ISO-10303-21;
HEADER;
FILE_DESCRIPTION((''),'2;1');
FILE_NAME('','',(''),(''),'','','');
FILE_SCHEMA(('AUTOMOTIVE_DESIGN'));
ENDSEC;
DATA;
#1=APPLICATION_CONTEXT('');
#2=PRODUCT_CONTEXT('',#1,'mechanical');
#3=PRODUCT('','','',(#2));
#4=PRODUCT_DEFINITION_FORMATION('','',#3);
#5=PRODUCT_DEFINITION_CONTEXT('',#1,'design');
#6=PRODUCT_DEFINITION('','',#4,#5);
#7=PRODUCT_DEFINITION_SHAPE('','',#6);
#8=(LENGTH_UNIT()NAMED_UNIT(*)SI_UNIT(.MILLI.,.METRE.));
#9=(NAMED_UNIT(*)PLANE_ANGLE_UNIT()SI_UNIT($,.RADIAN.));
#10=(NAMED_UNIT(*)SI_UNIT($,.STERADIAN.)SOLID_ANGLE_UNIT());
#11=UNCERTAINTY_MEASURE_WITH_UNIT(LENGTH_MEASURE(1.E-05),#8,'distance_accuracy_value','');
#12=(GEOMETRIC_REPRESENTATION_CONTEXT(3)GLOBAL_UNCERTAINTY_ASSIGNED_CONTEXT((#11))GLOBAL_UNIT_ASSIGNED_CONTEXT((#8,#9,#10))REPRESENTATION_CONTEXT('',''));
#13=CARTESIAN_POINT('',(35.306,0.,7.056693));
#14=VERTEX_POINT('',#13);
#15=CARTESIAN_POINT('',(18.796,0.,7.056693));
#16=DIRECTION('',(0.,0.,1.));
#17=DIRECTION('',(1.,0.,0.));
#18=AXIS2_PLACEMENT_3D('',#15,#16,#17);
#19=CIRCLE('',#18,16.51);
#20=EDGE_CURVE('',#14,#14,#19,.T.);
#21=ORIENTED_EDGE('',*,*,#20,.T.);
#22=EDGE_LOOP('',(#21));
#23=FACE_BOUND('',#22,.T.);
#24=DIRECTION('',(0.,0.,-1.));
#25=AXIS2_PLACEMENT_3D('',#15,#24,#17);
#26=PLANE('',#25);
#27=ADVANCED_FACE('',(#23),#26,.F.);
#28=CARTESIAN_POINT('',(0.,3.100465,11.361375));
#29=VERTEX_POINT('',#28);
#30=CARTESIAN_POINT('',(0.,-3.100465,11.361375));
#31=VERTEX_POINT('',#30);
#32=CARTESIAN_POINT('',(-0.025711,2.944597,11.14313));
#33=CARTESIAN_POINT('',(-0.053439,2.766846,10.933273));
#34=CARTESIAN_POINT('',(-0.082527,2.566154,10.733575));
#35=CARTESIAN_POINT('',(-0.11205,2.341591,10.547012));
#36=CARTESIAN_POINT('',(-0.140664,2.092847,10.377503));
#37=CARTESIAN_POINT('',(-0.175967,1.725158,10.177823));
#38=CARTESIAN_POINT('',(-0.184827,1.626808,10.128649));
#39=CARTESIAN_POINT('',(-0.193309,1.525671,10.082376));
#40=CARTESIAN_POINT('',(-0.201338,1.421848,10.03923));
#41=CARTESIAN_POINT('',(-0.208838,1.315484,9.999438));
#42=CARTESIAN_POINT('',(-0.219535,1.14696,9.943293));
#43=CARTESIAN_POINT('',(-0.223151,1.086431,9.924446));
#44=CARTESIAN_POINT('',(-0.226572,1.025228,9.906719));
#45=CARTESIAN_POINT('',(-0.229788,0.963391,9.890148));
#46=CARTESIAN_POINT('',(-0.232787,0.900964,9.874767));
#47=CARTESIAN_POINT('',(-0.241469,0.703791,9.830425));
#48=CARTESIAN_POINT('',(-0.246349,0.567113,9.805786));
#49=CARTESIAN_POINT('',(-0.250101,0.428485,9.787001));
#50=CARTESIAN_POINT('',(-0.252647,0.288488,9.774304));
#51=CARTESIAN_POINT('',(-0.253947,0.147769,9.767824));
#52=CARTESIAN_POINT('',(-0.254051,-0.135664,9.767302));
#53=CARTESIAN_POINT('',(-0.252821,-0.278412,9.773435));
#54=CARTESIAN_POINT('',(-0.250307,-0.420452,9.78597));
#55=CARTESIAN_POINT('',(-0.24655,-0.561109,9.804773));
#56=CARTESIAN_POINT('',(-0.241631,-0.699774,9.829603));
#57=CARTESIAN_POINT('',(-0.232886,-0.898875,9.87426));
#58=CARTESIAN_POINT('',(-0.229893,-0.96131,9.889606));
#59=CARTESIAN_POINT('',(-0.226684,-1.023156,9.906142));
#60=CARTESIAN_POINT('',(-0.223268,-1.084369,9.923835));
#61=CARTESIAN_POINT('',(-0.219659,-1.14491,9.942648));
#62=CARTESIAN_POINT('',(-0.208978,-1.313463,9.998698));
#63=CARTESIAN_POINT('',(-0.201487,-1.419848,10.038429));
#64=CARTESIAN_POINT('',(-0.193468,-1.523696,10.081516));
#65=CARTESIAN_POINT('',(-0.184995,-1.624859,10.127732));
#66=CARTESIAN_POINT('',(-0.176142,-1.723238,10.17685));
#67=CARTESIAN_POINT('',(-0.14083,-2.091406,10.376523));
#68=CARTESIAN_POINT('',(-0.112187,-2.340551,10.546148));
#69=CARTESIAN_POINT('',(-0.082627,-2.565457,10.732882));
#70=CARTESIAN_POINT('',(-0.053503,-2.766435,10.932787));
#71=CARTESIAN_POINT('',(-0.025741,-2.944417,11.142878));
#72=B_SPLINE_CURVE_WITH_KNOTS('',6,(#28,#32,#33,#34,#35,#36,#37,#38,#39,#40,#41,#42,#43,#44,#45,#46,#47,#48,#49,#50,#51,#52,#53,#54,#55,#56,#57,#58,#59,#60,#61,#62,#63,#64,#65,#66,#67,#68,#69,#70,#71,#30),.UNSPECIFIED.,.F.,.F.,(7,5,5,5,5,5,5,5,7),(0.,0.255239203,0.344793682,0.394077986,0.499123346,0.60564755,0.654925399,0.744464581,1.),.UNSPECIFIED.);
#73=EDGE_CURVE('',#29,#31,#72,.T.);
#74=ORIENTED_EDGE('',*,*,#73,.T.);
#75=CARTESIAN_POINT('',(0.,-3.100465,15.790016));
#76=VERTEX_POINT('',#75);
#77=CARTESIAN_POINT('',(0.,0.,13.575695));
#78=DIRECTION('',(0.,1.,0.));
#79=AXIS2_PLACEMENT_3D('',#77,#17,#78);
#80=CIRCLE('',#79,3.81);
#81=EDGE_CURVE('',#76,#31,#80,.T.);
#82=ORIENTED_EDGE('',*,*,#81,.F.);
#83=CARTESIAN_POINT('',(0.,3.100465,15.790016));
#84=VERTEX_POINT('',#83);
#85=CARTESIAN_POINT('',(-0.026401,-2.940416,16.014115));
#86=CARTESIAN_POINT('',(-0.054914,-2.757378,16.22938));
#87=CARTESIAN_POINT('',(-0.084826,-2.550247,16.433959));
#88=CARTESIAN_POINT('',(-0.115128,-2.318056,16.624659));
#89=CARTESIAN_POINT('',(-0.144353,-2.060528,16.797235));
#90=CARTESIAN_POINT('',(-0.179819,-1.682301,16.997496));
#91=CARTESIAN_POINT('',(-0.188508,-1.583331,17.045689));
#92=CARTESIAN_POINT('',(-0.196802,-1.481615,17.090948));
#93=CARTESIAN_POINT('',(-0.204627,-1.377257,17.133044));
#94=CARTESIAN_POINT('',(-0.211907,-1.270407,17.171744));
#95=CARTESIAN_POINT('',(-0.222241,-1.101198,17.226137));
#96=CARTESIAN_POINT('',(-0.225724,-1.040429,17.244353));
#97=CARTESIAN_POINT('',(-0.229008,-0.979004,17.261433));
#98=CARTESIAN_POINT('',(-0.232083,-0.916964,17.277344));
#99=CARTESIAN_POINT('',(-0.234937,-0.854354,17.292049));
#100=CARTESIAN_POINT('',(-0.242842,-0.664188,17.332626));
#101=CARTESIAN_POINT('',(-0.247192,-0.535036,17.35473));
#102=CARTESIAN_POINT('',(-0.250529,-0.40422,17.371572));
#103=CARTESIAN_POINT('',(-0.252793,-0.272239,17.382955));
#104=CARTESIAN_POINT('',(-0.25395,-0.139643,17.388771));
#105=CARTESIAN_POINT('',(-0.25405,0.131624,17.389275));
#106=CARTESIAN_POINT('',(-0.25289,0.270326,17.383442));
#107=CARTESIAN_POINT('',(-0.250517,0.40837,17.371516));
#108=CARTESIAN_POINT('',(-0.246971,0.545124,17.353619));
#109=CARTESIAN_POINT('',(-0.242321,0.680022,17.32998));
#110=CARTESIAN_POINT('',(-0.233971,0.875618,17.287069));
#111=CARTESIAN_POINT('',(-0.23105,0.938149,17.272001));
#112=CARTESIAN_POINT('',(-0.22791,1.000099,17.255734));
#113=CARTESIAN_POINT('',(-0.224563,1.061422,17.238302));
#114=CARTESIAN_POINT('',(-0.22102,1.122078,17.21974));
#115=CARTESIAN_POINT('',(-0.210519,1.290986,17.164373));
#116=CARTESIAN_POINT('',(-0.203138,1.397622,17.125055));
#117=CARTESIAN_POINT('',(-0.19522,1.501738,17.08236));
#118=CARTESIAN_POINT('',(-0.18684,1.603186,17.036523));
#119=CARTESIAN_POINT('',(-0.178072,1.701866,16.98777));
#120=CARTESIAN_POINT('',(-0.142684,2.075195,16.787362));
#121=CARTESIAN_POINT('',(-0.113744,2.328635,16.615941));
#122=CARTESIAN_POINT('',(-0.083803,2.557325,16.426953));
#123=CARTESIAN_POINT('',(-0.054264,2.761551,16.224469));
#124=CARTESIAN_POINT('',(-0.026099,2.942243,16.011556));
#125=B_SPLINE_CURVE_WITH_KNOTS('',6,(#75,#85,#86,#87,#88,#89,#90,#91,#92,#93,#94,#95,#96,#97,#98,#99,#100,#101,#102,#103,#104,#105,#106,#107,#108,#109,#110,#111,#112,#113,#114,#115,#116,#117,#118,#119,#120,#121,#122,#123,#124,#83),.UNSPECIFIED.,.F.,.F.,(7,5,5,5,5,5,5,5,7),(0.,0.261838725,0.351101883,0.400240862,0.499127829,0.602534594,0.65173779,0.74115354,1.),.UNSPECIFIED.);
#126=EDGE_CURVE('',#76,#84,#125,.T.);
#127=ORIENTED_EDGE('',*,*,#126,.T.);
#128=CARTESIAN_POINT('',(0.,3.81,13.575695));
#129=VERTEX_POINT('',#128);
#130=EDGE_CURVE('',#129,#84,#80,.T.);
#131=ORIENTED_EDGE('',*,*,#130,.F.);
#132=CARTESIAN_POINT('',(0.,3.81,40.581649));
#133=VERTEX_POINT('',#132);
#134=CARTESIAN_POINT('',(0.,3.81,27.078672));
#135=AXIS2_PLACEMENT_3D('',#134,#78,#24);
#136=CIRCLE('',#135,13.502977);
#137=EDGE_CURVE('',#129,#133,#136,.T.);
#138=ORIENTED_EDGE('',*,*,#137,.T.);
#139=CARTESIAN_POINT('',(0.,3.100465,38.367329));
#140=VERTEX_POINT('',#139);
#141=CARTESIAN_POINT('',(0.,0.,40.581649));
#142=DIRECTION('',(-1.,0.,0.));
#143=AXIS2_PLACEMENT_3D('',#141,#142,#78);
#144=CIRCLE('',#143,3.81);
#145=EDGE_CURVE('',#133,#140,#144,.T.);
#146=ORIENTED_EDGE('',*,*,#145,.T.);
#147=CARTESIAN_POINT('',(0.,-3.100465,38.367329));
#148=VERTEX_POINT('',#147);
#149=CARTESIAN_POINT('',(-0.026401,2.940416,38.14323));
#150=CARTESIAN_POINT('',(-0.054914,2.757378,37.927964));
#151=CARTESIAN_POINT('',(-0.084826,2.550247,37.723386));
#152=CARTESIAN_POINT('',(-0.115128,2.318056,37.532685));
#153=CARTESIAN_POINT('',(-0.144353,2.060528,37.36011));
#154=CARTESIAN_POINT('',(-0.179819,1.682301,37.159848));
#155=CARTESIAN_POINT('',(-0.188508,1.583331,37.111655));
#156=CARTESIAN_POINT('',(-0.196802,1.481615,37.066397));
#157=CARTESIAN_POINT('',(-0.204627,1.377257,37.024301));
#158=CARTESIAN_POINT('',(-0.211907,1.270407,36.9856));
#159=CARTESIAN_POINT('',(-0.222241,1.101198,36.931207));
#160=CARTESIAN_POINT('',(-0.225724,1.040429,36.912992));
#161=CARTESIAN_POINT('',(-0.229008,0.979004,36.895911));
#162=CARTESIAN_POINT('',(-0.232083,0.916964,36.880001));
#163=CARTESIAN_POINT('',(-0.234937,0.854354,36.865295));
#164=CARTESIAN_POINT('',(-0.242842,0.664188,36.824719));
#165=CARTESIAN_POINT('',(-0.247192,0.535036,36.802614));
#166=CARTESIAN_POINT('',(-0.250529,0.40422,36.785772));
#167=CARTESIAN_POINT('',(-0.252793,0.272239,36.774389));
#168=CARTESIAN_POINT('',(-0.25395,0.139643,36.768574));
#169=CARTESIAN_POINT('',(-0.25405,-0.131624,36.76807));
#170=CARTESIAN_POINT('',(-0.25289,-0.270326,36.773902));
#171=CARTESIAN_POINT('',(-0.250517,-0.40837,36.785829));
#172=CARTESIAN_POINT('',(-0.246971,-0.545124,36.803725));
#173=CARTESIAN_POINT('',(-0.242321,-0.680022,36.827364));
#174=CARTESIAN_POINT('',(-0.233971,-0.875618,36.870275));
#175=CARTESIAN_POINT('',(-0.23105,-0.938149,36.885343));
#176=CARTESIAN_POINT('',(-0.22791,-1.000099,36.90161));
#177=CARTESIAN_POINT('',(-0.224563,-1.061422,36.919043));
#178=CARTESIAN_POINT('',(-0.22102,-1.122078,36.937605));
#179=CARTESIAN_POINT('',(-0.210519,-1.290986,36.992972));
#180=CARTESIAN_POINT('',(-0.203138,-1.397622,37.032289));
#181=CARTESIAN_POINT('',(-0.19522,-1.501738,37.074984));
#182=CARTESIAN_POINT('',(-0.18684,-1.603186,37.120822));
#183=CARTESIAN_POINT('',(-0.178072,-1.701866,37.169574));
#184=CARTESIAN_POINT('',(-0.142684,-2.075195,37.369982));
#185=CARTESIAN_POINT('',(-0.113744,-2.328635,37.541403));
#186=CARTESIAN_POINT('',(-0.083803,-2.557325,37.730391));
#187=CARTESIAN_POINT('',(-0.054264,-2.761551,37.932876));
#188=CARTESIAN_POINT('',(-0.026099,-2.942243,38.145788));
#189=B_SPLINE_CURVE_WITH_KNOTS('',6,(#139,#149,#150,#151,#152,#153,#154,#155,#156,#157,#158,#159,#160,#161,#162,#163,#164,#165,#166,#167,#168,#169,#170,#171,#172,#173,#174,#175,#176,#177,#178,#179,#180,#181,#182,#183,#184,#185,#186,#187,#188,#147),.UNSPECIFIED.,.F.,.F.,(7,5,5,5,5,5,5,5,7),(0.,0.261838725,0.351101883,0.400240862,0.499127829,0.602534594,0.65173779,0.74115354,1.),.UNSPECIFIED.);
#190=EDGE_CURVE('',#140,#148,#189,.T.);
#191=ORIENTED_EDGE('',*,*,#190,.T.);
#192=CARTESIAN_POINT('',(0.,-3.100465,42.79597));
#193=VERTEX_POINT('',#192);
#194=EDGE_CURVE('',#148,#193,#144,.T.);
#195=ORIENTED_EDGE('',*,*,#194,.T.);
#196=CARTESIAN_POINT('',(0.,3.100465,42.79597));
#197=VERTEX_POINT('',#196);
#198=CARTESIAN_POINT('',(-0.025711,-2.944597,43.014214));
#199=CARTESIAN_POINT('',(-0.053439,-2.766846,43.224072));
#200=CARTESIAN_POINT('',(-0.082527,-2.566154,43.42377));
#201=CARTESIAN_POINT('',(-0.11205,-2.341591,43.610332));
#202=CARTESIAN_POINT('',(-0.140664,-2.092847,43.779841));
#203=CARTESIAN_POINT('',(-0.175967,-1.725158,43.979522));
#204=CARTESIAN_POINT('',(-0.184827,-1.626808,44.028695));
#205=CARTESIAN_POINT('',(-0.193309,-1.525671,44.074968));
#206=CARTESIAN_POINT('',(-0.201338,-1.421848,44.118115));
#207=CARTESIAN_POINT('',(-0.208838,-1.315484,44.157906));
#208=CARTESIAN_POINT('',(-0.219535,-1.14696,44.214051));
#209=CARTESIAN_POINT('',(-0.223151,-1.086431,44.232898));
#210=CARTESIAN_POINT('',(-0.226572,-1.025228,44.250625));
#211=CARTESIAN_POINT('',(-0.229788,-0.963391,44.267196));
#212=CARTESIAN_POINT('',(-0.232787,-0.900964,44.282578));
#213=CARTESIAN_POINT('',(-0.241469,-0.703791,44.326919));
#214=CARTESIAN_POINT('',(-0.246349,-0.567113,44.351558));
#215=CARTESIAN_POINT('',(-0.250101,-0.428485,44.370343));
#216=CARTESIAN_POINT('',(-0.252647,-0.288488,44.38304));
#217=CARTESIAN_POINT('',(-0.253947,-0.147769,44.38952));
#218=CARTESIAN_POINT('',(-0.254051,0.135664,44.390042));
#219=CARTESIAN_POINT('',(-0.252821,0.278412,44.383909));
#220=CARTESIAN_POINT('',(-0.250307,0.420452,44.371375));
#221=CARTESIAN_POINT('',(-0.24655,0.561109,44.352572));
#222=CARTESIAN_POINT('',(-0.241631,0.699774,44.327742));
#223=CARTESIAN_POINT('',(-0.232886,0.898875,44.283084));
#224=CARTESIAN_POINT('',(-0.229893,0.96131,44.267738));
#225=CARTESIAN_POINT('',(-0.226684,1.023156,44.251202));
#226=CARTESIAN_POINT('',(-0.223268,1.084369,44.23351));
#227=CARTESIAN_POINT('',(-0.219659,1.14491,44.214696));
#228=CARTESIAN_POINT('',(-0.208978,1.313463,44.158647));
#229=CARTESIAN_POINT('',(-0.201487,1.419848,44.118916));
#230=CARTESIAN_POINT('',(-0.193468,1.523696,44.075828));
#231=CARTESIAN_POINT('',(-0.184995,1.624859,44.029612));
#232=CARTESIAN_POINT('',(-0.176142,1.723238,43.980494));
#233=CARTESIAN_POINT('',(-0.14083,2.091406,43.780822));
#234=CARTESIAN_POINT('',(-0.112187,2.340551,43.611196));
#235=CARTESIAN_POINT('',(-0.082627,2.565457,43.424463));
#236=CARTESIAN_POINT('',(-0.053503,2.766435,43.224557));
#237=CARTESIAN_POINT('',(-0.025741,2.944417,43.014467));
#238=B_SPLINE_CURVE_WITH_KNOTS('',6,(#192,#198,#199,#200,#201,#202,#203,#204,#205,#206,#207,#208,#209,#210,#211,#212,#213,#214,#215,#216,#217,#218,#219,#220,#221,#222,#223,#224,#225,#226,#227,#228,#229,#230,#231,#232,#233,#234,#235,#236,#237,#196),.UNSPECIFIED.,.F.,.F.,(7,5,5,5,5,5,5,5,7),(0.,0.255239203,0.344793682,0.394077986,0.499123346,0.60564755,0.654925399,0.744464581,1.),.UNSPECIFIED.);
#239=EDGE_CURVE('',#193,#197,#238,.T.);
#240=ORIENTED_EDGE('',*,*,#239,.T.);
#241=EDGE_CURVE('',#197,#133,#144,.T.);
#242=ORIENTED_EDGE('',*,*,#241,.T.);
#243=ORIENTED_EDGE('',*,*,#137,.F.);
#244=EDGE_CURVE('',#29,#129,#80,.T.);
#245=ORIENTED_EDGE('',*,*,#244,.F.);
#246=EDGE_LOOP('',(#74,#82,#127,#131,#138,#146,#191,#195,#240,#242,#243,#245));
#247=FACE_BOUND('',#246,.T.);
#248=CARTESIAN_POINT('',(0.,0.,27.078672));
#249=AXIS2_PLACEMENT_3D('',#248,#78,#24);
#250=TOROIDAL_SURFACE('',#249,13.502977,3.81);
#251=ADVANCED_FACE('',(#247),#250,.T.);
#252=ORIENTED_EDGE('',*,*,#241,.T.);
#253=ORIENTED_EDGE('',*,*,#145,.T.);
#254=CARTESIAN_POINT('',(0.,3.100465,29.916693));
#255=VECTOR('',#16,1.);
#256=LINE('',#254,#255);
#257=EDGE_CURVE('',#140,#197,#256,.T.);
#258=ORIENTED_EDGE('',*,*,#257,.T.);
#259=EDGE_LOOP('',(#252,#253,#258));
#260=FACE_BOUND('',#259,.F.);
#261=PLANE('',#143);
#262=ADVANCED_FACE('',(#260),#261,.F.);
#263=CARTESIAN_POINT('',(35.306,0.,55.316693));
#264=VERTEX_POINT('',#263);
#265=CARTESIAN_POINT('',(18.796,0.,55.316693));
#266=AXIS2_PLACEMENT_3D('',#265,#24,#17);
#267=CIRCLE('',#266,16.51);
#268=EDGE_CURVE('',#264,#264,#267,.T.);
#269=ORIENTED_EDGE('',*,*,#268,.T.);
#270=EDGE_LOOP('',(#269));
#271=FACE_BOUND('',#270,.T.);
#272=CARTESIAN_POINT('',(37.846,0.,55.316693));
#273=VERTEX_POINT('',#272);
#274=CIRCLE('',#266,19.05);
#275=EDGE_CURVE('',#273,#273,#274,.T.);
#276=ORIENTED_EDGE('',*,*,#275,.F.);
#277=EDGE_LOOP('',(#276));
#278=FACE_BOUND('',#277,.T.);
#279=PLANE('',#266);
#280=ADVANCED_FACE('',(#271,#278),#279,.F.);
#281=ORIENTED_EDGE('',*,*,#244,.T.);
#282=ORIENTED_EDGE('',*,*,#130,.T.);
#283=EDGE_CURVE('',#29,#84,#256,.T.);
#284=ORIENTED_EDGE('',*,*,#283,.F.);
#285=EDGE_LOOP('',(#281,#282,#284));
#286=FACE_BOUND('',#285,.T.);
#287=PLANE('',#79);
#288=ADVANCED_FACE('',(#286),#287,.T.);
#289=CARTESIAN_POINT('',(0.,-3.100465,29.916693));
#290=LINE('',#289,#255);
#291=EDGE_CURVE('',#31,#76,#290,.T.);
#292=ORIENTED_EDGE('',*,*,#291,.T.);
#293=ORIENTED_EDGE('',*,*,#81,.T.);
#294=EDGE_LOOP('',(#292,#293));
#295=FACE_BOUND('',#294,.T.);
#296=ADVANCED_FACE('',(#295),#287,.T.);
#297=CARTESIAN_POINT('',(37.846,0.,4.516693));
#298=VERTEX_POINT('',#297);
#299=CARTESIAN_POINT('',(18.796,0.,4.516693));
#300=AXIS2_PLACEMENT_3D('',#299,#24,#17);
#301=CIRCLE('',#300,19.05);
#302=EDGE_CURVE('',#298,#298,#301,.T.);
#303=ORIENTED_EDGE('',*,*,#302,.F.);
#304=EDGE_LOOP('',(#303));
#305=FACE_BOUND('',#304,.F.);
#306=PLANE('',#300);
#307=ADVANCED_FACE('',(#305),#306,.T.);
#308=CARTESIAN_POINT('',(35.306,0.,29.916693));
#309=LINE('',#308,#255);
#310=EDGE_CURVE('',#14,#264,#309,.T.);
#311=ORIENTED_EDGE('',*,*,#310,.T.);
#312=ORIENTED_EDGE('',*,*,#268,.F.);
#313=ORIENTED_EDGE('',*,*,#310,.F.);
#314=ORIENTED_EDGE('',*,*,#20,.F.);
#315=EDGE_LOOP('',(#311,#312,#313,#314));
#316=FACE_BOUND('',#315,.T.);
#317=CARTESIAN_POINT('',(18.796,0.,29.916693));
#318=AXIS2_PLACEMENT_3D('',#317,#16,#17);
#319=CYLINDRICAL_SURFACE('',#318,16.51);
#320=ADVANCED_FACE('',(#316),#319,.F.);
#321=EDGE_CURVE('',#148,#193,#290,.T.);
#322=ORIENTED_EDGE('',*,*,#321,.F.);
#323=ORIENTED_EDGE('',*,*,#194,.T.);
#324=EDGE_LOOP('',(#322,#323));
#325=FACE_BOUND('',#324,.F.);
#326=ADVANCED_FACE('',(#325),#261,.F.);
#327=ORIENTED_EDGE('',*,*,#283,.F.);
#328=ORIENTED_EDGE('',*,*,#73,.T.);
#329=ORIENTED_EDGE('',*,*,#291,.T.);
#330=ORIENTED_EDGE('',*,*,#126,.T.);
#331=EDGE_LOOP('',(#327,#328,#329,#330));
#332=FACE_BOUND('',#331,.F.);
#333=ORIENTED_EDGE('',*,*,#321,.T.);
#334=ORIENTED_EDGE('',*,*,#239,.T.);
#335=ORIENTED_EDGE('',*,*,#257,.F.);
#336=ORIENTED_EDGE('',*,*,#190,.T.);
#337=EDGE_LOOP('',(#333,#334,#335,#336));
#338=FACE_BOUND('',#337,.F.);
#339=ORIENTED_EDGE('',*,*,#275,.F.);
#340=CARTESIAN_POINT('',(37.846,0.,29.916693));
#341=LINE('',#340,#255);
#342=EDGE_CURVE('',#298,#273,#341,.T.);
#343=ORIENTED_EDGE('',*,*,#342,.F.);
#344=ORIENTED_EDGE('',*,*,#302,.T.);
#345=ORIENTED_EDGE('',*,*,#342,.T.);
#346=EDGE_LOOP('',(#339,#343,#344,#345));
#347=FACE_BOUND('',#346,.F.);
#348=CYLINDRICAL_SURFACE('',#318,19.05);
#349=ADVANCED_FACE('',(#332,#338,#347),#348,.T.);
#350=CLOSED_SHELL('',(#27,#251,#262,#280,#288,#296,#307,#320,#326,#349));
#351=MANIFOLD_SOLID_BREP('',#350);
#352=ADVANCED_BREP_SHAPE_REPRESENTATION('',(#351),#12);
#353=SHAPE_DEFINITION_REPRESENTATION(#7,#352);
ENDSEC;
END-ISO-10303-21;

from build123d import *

# Parameters (mm, degrees)
F0_W     = 19.05
F0_H     = 50.8
F2_T     = -2.54
F3_R     = 3.81
F4_ANGLE = 180


with BuildPart() as f1:
    # F0 (on Front) → F1 (revolve)
    with BuildSketch(Plane.XZ):
        with Locations((28.321, 29.9166932978)):
            Rectangle(F0_W, F0_H)
    revolve(axis=Axis((18.796, 0, 29.9166932978), (0, 0, -1)))

    # F2
    f2_openings = [f1.faces().sort_by_distance(p)[0] for p in [
        (18.796, 0, 55.316693),
    ]]
    offset(amount=F2_T, openings=f2_openings)

    # F3 (on Right) → F4 (revolve)
    with BuildSketch(Plane.YZ):
        with Locations((0, 13.575695168)):
            Circle(F3_R)
    revolve(axis=Axis((0, -0.5171763977, 27.0786721792), (0, 1, 0)), revolution_arc=F4_ANGLE)


solid = f1.part
